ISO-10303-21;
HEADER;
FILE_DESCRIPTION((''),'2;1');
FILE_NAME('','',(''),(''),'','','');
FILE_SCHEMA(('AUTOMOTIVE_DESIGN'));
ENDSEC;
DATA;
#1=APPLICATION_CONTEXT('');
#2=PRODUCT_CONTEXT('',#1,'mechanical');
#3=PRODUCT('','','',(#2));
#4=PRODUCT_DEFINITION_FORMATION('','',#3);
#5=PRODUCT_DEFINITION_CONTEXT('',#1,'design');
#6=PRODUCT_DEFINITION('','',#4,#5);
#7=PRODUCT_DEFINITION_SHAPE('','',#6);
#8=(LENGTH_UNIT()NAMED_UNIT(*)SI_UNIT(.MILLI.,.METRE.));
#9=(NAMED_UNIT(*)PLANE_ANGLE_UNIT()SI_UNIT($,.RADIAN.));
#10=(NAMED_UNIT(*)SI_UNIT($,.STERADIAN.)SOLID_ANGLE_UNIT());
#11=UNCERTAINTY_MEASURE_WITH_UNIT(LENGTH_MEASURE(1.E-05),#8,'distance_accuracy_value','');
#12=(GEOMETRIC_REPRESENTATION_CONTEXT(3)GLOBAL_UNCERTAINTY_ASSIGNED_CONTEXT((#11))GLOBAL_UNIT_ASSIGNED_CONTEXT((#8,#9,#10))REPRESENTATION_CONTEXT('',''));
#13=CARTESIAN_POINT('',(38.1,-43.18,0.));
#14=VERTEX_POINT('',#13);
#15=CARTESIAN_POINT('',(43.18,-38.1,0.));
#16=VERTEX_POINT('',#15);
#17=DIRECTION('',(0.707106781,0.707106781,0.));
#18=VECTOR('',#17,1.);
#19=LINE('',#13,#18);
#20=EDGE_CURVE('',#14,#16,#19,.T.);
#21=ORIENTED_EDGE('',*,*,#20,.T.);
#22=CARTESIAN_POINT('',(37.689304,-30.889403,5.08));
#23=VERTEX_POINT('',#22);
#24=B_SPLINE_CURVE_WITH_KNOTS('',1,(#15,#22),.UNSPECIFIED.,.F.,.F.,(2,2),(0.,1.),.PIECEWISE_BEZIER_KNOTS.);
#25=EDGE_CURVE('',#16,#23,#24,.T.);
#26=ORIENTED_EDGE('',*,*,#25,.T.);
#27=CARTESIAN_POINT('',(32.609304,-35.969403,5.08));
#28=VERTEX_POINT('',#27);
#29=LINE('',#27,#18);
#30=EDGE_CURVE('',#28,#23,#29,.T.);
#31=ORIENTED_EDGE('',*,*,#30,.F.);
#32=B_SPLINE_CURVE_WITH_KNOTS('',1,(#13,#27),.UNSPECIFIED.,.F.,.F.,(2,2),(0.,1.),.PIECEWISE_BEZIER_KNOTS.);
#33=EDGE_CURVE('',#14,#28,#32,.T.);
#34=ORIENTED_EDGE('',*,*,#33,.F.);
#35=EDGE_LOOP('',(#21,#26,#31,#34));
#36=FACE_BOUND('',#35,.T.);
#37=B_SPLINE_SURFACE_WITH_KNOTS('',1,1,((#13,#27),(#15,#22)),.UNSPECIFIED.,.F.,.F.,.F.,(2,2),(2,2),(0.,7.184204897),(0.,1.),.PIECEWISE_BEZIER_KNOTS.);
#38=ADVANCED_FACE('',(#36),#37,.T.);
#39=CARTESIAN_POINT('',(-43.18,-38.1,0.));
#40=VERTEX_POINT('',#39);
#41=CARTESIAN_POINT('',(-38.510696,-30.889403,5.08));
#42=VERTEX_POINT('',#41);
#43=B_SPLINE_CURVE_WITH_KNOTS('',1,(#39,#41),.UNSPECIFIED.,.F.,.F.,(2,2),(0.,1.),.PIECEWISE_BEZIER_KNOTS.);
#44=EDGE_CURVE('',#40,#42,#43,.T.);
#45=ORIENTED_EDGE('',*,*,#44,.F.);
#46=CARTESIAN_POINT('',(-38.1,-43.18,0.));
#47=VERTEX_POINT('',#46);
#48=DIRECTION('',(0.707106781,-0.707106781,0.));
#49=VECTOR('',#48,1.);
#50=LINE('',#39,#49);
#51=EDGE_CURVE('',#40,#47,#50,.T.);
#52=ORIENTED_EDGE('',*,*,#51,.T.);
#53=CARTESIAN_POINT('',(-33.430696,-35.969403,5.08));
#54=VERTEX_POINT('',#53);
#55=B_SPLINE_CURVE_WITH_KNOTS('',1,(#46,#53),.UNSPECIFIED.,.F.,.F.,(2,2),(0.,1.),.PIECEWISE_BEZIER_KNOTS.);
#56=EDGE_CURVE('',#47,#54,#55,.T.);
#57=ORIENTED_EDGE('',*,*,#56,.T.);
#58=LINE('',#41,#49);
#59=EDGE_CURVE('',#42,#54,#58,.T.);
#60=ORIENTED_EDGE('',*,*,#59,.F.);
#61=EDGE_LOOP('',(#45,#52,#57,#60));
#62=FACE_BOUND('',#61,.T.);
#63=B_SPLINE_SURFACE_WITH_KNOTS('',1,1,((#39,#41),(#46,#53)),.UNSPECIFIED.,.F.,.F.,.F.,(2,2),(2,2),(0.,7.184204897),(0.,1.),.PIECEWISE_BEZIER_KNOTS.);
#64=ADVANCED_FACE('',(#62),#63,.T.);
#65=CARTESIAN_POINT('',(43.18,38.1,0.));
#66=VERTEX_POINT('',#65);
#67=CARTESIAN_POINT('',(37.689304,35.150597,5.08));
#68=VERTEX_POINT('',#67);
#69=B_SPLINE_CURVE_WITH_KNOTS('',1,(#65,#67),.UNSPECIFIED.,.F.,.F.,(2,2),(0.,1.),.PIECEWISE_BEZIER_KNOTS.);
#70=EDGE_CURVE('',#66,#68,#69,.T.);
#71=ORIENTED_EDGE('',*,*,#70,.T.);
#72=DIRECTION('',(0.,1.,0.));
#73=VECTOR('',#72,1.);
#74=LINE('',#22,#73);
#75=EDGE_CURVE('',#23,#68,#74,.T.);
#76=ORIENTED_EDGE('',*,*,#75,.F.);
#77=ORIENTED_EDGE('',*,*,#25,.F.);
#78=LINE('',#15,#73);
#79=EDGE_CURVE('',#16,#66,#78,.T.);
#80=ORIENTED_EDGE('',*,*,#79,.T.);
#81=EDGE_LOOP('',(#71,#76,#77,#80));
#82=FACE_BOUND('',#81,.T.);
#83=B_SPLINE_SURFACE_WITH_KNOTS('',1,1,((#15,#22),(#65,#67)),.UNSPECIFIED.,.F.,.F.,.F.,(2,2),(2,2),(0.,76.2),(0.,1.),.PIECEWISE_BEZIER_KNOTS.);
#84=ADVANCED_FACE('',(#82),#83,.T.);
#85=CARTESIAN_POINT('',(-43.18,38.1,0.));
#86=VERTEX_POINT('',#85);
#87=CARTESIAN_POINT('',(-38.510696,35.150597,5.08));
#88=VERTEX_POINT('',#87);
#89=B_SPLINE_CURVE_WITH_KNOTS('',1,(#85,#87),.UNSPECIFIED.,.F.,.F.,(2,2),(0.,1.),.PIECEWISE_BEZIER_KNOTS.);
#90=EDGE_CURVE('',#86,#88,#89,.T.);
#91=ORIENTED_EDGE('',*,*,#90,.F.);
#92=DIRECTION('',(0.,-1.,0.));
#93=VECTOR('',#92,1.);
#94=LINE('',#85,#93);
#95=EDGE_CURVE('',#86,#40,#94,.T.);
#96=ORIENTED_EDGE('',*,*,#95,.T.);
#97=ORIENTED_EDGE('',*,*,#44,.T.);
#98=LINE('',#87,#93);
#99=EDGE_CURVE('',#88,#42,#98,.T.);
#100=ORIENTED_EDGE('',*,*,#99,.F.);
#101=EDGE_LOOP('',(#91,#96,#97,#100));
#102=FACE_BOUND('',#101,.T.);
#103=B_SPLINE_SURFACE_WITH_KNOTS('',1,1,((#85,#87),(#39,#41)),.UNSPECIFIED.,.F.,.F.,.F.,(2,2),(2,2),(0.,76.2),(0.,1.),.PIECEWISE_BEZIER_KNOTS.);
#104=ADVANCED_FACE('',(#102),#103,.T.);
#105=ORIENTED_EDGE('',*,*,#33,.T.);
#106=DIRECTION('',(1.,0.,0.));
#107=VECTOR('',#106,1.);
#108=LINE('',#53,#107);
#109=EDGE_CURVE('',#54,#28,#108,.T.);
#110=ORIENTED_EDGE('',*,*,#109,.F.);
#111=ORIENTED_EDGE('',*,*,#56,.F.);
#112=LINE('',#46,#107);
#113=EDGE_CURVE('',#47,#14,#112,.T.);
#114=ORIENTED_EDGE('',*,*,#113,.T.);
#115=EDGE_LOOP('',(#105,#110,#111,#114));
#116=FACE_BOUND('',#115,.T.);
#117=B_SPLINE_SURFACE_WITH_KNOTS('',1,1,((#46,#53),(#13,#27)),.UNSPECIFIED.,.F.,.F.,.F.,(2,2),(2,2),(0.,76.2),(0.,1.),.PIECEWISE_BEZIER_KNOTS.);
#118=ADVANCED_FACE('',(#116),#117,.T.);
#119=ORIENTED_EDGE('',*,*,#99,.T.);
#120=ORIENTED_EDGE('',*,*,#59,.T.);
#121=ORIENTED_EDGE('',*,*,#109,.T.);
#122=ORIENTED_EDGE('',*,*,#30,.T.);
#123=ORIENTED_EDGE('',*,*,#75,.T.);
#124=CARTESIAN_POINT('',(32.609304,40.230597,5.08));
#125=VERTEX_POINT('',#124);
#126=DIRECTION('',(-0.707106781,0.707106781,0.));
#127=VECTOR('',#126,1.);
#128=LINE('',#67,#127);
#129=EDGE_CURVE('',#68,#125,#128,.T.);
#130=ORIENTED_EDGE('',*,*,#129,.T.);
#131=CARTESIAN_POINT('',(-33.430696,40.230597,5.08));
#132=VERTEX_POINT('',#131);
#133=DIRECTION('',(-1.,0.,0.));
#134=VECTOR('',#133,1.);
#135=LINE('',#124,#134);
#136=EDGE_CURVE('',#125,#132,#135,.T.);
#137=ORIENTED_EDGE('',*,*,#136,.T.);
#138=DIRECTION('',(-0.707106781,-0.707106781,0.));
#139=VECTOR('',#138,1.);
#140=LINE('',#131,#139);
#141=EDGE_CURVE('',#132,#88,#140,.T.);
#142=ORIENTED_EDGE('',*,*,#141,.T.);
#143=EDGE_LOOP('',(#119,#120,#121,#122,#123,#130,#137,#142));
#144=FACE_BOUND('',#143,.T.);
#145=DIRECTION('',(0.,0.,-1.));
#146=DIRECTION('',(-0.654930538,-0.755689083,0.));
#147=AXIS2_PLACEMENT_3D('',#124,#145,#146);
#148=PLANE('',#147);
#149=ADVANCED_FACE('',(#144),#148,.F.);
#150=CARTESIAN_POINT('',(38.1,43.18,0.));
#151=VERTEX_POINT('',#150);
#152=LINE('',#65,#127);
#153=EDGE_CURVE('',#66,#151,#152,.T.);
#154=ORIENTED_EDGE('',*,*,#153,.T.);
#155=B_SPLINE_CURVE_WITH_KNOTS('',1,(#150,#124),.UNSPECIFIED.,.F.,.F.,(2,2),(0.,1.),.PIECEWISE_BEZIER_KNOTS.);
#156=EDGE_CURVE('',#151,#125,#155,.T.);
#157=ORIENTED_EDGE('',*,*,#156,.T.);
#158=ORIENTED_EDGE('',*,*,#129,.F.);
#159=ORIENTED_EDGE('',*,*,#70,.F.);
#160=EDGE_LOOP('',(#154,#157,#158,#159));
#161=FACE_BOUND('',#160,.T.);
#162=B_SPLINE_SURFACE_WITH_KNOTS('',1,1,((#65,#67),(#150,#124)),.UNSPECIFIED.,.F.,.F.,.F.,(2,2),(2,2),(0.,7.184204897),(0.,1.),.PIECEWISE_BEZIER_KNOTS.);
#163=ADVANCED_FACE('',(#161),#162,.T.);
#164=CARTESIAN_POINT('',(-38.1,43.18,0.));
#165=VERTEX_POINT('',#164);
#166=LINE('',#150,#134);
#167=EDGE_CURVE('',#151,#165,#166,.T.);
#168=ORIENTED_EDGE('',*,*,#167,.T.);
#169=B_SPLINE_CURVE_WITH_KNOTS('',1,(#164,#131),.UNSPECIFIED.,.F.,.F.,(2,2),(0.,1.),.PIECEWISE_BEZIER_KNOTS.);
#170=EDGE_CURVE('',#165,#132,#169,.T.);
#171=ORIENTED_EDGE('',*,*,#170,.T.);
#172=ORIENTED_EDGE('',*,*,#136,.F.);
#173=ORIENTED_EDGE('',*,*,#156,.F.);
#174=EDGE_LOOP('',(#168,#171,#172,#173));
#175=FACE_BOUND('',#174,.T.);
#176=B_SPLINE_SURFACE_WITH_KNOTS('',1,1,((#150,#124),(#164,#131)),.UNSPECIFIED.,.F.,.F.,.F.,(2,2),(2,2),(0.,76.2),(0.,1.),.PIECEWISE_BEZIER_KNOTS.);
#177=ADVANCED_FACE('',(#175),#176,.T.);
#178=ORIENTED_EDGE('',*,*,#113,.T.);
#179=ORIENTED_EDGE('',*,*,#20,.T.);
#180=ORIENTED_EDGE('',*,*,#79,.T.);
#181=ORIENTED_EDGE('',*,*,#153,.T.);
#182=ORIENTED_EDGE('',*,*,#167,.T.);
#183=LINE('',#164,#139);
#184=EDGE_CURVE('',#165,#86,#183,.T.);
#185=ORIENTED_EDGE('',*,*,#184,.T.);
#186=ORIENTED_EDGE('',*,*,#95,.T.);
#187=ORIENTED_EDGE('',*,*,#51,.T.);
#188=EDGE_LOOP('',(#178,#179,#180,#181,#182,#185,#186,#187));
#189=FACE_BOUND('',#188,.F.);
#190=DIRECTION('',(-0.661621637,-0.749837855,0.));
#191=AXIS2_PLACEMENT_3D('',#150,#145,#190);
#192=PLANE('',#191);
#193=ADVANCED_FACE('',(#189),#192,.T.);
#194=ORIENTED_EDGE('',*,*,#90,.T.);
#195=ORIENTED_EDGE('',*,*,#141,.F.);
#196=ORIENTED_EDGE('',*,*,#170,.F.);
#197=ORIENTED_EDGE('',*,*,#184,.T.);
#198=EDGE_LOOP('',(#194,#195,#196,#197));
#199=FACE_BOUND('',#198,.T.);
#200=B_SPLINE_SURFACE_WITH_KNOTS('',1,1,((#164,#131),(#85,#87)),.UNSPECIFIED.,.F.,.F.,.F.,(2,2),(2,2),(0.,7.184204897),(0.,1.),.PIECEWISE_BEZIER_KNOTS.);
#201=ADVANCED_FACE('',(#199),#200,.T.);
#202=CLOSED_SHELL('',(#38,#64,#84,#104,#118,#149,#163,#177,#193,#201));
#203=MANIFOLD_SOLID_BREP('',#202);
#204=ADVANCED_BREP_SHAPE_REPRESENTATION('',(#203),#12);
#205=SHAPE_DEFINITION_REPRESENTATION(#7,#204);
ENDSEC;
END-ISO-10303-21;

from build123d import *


with BuildPart() as f3:
    # F0 (on Top) → F3 section 0
    with BuildSketch(Plane.XY):
        Polygon((38.1, 43.18), (-38.1, 43.18), (-43.18, 38.1), (-43.18, -38.1), (-38.1, -43.18), (38.1, -43.18), (43.18, -38.1), (43.18, 38.1), align=None)
    # F2 (on offset) → F3 section 1
    with BuildSketch(Plane.XY.offset(5.08)):
        Polygon((-33.4306955338, 40.2305973589), (-38.5106955338, 35.1505973589), (-38.5106955338, -30.8894026411), (-33.4306955338, -35.9694026411), (32.6093044662, -35.9694026411), (37.6893044662, -30.8894026411), (37.6893044662, 35.1505973589), (32.6093044662, 40.2305973589), align=None)
    loft()


solid = f3.part
